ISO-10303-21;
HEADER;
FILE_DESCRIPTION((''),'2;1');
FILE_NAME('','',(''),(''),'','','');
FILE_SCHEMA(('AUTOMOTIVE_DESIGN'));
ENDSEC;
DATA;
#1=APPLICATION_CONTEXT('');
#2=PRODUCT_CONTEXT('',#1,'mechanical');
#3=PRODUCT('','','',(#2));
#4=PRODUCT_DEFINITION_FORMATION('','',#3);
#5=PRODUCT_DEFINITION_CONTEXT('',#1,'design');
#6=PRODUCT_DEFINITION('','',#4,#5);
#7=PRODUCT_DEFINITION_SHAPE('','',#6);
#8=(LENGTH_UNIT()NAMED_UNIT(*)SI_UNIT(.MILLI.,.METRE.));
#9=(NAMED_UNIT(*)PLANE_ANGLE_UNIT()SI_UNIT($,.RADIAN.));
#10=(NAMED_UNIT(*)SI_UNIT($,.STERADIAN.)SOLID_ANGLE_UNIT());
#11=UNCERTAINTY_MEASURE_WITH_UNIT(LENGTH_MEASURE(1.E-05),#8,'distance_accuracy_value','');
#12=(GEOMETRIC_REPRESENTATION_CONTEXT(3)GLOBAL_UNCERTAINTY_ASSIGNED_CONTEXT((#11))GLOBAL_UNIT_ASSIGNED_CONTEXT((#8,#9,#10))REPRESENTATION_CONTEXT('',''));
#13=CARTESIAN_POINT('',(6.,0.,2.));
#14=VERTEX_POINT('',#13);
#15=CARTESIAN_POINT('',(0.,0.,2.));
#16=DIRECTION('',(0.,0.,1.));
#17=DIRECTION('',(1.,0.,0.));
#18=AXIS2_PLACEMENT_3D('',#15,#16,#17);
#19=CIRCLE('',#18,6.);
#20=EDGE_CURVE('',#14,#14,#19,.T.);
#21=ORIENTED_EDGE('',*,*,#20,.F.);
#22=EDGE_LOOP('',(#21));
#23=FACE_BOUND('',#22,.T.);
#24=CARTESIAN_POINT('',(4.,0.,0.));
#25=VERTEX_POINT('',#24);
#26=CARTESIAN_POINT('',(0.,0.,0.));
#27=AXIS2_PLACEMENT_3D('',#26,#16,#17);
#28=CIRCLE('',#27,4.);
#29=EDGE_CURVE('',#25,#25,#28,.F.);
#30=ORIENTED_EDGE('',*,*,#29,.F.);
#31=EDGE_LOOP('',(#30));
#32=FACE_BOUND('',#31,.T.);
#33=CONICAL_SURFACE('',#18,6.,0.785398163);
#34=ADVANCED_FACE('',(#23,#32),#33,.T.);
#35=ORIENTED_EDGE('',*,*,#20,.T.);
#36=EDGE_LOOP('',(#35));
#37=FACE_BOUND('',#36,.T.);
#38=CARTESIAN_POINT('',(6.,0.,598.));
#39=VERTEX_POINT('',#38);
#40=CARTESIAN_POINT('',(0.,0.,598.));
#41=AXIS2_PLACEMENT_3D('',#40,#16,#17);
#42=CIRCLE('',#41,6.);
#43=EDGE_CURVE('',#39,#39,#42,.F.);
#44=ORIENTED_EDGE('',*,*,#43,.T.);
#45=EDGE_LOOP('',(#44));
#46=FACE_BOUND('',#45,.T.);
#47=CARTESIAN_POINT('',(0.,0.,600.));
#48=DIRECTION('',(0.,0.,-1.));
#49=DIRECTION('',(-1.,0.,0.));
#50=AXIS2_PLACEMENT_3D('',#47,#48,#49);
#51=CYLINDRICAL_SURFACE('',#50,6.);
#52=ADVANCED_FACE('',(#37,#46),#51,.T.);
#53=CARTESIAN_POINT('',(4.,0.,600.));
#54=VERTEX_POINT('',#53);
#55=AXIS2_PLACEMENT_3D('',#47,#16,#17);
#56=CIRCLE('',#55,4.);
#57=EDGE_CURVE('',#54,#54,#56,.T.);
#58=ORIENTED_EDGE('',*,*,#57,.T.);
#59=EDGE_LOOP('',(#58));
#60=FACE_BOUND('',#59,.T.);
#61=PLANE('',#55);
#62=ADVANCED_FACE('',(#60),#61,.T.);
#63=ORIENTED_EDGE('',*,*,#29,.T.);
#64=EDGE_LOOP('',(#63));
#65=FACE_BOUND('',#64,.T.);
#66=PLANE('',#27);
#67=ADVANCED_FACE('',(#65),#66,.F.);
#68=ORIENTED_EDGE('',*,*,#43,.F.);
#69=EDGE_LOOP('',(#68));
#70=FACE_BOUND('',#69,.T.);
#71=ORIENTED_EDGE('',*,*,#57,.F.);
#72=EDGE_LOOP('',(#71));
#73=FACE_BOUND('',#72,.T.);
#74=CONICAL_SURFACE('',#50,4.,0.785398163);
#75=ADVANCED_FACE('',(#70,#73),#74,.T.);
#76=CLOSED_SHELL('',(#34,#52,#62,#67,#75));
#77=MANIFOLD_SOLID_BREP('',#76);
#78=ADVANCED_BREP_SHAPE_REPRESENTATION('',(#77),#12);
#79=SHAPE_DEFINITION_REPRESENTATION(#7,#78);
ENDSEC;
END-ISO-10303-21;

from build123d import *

# Parameters (mm, degrees)
SKETCH1_R           = 6
BOSS_EXTRUDE1_DEPTH = 600
CHAMFER1_SIZE       = 2


with BuildPart() as part:
    # Sketch1 → Boss-Extrude1 (new body)
    with BuildSketch(Plane.XY):
        Circle(SKETCH1_R)
    extrude(amount=BOSS_EXTRUDE1_DEPTH)

    # Chamfer1
    chamfer1_edges = [part.edges().sort_by_distance(p)[0] for p in [
        (-6, 0, 0),
        (-6, 0, 600),
    ]]
    chamfer(chamfer1_edges, length=CHAMFER1_SIZE)


solid = part.part
